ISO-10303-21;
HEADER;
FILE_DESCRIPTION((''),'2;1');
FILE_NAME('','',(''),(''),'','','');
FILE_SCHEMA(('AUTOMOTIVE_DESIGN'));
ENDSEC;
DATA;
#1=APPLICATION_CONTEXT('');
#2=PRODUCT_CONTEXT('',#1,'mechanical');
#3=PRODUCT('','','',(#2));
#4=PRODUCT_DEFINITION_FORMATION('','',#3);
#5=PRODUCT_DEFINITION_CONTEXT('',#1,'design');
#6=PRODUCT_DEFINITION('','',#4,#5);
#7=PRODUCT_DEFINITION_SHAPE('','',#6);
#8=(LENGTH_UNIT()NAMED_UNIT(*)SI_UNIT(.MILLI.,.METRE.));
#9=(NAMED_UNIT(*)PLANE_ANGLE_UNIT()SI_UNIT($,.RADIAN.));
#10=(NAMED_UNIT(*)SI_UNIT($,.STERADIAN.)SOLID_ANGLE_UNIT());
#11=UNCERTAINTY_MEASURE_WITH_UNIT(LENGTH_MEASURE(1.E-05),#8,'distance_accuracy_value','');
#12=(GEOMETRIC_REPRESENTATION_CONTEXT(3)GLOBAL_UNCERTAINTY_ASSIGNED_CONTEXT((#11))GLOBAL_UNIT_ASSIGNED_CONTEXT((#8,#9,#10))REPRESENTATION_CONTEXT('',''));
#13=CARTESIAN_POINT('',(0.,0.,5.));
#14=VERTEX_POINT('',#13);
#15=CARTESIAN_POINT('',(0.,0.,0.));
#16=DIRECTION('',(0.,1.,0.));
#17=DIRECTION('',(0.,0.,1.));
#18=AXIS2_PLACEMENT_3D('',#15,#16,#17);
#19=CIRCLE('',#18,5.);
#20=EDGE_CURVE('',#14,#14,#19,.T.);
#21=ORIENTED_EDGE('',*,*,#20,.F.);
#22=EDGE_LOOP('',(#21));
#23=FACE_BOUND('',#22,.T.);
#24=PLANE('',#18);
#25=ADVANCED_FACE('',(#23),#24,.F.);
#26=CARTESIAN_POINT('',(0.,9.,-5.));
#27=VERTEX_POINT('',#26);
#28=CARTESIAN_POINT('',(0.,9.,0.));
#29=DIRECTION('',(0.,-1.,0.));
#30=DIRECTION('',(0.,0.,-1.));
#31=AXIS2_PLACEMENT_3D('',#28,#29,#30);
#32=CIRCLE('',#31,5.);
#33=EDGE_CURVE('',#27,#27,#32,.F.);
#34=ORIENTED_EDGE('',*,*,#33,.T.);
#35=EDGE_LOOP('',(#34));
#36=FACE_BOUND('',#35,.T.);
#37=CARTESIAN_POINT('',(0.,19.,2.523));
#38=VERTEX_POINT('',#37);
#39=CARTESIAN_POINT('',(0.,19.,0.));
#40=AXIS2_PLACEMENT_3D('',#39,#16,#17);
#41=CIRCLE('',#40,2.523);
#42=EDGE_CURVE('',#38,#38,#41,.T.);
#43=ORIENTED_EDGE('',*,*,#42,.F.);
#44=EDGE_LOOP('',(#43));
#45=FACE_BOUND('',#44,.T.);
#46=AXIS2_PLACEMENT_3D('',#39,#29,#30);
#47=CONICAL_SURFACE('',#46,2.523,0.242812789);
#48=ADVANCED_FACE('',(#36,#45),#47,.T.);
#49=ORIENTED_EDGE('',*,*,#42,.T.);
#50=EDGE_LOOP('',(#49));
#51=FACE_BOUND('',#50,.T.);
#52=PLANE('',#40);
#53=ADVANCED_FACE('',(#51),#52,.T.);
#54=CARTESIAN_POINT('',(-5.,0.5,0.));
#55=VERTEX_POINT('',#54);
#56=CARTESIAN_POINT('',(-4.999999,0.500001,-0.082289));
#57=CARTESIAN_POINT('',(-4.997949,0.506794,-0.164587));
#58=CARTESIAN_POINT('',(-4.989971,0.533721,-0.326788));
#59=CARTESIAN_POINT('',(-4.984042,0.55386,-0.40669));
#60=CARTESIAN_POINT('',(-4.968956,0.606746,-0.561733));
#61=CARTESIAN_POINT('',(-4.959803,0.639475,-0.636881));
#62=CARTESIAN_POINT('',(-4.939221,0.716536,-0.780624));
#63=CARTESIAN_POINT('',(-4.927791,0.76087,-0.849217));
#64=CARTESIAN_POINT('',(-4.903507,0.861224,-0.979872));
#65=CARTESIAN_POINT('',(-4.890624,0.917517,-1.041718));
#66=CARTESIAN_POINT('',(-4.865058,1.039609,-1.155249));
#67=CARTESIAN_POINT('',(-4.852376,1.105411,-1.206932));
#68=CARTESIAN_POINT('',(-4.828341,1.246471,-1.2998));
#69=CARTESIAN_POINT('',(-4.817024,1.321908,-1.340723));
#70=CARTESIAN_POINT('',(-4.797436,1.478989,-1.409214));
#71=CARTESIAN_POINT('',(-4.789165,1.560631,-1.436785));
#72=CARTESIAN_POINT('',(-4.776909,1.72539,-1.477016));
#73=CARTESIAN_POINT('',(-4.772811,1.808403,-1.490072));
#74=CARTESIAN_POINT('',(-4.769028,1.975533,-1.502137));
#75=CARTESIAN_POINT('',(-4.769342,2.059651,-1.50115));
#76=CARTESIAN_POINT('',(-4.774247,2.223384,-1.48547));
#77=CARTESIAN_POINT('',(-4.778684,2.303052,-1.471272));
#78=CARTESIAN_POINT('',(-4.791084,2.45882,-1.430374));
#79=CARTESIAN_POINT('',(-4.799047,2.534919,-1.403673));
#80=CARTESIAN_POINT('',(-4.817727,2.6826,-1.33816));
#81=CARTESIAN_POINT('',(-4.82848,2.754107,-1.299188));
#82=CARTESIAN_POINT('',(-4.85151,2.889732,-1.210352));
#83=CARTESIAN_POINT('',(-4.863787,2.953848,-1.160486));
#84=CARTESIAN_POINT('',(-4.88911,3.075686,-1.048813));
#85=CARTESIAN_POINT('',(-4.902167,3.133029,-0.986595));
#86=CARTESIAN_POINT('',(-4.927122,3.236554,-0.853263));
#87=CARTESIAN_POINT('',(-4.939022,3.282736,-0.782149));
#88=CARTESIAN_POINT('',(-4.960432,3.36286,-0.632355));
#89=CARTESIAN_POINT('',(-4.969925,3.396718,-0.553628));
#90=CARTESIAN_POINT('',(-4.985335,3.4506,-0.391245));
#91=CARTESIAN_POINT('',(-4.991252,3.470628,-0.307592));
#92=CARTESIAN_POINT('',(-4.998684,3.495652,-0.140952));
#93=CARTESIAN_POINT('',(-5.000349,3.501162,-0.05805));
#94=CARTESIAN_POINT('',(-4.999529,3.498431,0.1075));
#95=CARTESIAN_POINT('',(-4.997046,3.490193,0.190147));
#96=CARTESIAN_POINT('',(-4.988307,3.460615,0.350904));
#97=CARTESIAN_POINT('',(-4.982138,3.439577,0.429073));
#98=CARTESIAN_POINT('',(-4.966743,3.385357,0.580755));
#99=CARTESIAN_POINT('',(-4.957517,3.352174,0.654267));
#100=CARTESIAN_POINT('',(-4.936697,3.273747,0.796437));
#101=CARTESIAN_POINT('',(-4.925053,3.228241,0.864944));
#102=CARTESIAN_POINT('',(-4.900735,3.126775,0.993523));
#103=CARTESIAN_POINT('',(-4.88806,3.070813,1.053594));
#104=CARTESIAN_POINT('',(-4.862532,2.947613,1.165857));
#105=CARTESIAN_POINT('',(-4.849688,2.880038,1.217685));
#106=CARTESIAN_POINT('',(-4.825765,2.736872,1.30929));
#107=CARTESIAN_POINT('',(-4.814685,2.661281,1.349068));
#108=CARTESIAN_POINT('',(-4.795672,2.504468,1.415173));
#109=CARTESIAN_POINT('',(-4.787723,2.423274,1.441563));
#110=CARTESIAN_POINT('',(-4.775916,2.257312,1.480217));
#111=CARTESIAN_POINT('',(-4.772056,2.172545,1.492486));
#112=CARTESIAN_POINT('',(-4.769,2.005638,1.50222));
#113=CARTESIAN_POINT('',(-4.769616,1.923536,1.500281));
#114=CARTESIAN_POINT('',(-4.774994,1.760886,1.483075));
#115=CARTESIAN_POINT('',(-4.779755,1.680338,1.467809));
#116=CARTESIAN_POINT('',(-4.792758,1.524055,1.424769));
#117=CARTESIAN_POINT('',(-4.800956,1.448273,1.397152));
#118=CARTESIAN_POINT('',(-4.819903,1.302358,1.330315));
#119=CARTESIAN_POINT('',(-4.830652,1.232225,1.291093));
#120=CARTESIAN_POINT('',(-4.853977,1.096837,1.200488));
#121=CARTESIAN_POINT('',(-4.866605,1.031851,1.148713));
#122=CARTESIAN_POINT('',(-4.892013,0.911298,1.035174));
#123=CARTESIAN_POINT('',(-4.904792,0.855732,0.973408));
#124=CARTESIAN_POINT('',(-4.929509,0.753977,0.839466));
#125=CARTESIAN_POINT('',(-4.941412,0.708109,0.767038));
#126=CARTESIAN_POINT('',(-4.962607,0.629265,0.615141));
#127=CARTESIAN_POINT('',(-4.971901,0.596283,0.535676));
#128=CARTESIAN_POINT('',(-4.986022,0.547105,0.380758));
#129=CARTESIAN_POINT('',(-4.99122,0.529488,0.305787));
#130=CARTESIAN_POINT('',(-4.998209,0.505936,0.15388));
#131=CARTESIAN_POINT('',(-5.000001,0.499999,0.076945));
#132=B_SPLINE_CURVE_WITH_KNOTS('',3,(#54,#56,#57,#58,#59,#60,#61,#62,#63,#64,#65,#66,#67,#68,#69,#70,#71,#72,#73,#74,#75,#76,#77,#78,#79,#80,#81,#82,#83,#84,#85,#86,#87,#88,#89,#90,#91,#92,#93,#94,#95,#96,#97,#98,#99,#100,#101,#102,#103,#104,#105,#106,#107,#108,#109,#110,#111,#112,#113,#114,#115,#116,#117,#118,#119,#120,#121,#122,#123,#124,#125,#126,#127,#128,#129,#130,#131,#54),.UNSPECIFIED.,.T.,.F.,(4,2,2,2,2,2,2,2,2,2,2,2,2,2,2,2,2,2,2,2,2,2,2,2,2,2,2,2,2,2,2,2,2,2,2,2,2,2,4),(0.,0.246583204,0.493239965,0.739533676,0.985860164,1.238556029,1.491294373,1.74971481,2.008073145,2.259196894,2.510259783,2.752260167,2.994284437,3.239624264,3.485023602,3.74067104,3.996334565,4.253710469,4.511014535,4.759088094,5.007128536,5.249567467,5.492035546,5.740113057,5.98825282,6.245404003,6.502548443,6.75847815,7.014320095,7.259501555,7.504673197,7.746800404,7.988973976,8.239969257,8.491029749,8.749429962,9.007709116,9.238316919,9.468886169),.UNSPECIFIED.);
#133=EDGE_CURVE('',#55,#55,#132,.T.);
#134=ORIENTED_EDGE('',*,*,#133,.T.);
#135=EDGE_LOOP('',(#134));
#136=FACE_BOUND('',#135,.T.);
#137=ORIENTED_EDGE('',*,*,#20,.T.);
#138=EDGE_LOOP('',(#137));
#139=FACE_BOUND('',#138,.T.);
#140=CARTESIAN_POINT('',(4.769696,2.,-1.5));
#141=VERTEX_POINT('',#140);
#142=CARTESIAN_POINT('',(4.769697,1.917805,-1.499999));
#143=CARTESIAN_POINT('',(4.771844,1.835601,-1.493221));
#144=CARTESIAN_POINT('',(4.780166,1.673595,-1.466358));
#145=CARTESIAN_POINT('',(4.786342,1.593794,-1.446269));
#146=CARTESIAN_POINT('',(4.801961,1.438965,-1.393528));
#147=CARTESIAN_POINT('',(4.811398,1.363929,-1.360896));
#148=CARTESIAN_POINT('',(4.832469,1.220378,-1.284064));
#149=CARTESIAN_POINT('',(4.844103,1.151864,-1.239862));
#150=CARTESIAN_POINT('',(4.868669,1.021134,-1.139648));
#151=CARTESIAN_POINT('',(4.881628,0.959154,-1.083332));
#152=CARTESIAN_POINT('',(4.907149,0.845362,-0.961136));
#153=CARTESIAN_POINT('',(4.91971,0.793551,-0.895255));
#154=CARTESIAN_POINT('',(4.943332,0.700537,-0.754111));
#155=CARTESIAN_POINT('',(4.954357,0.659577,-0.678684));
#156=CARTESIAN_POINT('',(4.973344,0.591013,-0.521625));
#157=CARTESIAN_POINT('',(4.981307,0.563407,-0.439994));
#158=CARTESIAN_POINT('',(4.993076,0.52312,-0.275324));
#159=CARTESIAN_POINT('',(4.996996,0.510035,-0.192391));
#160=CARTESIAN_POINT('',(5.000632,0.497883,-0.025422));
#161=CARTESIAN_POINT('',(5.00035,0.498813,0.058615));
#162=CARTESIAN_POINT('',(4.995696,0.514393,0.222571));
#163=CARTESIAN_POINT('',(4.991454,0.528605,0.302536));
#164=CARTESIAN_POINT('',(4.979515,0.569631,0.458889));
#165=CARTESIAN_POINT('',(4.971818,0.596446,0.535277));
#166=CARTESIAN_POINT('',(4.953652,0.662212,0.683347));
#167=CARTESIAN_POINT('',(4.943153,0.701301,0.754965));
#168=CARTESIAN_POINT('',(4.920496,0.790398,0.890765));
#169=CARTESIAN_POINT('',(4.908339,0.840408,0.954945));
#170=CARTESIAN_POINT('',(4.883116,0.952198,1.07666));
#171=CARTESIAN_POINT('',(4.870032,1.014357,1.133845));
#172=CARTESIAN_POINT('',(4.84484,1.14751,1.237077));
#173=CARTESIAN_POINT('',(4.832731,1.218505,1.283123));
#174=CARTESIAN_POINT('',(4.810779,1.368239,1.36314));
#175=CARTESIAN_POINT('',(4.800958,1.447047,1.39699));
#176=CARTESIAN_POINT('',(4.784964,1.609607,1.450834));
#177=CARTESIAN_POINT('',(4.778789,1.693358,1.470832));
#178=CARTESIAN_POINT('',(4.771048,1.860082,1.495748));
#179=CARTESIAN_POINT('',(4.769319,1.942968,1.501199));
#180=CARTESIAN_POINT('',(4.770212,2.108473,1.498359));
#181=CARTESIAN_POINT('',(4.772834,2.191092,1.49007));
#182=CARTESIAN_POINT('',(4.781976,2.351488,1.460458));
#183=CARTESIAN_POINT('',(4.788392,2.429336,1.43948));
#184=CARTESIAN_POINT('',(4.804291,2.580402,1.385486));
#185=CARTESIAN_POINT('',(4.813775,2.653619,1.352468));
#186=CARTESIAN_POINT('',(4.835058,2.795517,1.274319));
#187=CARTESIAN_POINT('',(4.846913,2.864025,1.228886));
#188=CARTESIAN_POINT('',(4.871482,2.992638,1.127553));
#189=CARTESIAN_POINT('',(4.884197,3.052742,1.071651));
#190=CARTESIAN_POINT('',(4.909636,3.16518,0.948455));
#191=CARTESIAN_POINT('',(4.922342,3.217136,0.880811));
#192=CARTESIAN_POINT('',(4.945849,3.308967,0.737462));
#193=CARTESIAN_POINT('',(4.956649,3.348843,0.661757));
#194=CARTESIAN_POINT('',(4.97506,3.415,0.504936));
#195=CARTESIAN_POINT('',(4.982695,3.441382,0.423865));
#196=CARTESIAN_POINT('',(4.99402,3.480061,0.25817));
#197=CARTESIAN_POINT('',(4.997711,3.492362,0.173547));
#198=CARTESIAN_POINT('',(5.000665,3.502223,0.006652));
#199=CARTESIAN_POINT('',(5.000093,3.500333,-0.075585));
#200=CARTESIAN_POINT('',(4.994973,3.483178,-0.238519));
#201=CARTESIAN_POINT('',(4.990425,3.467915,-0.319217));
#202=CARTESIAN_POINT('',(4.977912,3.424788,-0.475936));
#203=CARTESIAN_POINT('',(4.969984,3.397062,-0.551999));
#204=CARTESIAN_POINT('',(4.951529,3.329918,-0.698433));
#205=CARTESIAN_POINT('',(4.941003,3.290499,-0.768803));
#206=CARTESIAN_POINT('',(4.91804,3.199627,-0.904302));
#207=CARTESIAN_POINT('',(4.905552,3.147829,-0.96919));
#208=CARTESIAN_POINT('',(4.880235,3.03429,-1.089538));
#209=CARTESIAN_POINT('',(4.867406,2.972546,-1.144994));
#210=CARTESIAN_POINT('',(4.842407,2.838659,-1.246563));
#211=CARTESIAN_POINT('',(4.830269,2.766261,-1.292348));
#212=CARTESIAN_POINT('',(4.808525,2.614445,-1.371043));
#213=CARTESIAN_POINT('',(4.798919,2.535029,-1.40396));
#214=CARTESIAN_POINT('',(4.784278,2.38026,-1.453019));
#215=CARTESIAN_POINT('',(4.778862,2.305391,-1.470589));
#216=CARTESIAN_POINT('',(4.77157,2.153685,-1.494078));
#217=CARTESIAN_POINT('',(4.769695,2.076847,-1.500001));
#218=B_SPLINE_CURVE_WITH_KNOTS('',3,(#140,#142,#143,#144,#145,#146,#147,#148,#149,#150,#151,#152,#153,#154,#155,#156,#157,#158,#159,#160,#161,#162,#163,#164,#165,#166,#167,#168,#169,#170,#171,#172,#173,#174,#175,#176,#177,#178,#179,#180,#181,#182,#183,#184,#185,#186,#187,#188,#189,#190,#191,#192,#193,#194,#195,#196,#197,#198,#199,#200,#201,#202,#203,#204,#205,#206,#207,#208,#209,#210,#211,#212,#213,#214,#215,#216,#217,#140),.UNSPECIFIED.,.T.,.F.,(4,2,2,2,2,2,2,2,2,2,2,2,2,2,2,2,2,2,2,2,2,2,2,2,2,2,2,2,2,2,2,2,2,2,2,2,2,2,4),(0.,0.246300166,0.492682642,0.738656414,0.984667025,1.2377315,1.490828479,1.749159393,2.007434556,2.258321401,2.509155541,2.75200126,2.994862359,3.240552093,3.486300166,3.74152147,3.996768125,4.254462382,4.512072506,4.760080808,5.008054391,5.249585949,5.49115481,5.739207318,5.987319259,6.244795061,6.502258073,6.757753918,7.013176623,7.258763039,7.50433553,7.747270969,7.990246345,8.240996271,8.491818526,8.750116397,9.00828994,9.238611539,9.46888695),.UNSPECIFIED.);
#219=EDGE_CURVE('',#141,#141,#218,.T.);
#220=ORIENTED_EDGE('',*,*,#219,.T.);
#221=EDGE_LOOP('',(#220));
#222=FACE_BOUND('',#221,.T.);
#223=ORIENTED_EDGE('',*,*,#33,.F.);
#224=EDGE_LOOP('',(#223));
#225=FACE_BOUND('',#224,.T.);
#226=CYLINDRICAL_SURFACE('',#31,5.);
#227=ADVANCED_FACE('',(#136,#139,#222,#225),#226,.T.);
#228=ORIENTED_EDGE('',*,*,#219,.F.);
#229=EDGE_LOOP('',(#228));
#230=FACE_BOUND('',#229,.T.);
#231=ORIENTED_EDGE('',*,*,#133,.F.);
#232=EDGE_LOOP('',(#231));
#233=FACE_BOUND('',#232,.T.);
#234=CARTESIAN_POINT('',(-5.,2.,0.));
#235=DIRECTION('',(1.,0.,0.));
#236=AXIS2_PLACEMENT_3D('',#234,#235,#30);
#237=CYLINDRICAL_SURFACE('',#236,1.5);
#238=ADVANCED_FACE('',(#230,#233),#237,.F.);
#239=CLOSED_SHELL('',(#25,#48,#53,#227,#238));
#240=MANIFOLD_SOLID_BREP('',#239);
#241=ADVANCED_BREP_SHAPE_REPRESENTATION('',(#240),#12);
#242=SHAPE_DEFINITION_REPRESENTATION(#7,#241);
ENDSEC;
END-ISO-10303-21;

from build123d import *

# Parameters (mm, degrees)
SKETCH1_R             = 5
BODY_DEPTH            = 9
PIN_INSERT_DEPTH      = 12.445523142
PIN_INSERT_DEPTH_BACK = 12.445523142
SKETCH2_R             = 1.5
HEAD_SA_R             = 2.523


with BuildPart() as part:
    # Sketch1 → body (new body)
    with BuildSketch(Plane(origin=(0, 0, 0), x_dir=(1, 0, 0), z_dir=(0, 1, 0))):
        with Locations(Location((0, 0, 0), (0, 0, 270))):
            Circle(SKETCH1_R)
    extrude(amount=BODY_DEPTH)

    # Sketch2 → pin insert (cut, two sides: drawn at the far end of the back side and taken through both)
    with BuildSketch(Plane(origin=(0, 0, 0), x_dir=(0, 0, -1), z_dir=(1, 0, 0)).offset(-PIN_INSERT_DEPTH_BACK)):
        with Locations((0, 2)):
            Circle(SKETCH2_R)
    extrude(amount=PIN_INSERT_DEPTH + PIN_INSERT_DEPTH_BACK, mode=Mode.SUBTRACT)

    # head SA → section 0 of cone
    with BuildSketch(Plane(origin=(0, 19, 0), x_dir=(1, 0, 0), z_dir=(0, 1, 0)), mode=Mode.PRIVATE) as cone_s0:
        Circle(HEAD_SA_R)
    # loft up to a face of the part (cone)
    loft([cone_s0.sketch, part.faces().sort_by_distance((0, 9, 0))[0]])


solid = part.part
